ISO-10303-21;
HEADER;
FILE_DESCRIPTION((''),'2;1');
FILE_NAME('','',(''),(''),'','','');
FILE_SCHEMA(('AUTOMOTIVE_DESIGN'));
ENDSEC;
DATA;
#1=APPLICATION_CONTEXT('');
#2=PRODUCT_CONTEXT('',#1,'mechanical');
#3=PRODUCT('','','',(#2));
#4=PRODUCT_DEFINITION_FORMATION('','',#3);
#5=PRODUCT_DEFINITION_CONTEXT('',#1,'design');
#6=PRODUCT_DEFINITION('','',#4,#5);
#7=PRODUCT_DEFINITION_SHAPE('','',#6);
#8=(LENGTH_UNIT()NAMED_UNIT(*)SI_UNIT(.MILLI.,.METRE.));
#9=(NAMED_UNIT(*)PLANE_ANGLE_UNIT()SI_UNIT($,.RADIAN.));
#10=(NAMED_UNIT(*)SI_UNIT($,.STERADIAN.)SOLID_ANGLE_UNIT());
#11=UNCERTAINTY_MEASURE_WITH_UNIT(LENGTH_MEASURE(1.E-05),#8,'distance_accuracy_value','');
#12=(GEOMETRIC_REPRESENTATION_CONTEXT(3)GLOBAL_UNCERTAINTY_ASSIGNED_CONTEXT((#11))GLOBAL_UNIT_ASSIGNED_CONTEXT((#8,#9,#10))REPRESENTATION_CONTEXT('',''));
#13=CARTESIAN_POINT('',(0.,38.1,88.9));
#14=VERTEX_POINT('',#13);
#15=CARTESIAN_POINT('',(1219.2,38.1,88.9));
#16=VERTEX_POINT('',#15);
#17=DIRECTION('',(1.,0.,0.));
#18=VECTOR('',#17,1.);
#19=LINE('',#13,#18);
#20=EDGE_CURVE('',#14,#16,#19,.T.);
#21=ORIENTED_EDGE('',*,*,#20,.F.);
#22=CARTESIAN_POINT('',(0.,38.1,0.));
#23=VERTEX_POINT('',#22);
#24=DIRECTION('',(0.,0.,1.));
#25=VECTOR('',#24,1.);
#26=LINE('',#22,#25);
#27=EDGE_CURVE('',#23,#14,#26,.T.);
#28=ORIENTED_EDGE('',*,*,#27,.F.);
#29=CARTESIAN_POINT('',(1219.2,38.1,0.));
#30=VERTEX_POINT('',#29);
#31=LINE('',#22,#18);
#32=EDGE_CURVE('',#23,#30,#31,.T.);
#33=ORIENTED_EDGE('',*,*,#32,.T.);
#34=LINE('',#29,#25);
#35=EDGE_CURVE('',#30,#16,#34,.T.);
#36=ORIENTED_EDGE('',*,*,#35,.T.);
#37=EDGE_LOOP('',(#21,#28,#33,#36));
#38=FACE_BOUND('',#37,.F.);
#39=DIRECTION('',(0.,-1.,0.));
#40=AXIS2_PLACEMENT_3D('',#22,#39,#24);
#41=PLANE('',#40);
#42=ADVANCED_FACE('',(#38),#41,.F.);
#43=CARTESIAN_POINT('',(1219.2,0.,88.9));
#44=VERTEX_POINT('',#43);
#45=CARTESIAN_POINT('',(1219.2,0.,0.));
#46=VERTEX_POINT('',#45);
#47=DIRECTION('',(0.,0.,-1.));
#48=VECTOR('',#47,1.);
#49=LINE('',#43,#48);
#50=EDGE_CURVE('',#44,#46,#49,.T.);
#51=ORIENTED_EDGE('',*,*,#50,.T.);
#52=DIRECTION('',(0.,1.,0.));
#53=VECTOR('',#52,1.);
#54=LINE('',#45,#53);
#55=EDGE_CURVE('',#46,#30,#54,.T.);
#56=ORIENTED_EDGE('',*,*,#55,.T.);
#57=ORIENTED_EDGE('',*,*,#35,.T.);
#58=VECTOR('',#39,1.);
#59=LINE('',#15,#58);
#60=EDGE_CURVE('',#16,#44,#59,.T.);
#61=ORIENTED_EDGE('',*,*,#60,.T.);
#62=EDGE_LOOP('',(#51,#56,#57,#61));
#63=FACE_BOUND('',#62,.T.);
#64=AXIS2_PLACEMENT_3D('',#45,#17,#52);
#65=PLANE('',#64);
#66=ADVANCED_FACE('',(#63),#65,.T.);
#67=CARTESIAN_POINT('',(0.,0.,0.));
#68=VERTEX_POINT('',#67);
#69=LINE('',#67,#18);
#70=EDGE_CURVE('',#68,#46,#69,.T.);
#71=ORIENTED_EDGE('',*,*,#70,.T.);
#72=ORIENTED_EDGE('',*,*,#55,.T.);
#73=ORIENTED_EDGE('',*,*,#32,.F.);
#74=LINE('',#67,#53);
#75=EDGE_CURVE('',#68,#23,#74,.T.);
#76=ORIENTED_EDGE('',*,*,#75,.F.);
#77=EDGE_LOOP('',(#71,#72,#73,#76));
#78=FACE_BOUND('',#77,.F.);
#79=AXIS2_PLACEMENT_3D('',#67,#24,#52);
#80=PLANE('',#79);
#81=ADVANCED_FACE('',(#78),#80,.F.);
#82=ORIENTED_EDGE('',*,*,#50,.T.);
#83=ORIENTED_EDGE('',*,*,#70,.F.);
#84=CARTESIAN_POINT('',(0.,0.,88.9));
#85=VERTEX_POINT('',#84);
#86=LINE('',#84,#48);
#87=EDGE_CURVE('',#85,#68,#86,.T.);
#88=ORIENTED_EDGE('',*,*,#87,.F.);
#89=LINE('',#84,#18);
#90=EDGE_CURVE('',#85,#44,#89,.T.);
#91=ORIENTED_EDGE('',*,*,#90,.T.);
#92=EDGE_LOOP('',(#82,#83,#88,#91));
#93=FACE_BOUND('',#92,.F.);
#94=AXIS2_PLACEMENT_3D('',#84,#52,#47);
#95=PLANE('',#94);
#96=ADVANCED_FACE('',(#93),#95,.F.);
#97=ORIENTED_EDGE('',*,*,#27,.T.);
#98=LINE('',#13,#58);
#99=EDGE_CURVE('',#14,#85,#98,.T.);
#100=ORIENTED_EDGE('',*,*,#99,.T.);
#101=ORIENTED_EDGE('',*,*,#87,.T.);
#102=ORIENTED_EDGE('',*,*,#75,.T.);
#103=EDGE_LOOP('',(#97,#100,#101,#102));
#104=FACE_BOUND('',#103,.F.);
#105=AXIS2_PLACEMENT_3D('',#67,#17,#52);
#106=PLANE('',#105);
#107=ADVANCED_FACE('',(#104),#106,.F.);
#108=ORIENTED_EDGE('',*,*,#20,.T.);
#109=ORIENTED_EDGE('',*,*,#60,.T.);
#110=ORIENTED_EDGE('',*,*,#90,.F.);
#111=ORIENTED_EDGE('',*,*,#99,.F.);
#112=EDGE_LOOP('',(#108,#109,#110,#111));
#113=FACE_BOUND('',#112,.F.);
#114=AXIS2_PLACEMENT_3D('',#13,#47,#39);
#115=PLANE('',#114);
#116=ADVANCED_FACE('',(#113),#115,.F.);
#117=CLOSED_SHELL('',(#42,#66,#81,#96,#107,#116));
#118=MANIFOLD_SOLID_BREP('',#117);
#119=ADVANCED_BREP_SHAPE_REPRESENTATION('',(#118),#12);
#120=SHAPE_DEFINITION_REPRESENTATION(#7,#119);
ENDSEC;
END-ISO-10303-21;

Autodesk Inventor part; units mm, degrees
ref_plane "YZ Plane" through (0, 0, 0) normal (1, 0, 0) x (0, 1, 0)
ref_plane "XZ Plane" through (0, 0, 0) normal (0, 1, 0) x (-1, 0, 0)
ref_plane "XY Plane" through (0, 0, 0) normal (0, 0, 1) x (1, 0, 0)
sketch "Sketch1" plane through (0, 0, 0) normal (1, 0, 0) x (0, 1, 0)
  line L0 (0, 0) -> (38.1, 0)
  line L1 (38.1, 0) -> (38.1, 88.9)
  line L2 (38.1, 88.9) -> (0, 88.9)
  line L3 (0, 88.9) -> (0, 0)
  dimension "d0" = 38.1
  dimension "d1" = 88.9
extrude "Extrusion1" add sketch "Sketch1" along normal blind 1219.2
properties part number "Monitor Mount Bar" material "Wood"
